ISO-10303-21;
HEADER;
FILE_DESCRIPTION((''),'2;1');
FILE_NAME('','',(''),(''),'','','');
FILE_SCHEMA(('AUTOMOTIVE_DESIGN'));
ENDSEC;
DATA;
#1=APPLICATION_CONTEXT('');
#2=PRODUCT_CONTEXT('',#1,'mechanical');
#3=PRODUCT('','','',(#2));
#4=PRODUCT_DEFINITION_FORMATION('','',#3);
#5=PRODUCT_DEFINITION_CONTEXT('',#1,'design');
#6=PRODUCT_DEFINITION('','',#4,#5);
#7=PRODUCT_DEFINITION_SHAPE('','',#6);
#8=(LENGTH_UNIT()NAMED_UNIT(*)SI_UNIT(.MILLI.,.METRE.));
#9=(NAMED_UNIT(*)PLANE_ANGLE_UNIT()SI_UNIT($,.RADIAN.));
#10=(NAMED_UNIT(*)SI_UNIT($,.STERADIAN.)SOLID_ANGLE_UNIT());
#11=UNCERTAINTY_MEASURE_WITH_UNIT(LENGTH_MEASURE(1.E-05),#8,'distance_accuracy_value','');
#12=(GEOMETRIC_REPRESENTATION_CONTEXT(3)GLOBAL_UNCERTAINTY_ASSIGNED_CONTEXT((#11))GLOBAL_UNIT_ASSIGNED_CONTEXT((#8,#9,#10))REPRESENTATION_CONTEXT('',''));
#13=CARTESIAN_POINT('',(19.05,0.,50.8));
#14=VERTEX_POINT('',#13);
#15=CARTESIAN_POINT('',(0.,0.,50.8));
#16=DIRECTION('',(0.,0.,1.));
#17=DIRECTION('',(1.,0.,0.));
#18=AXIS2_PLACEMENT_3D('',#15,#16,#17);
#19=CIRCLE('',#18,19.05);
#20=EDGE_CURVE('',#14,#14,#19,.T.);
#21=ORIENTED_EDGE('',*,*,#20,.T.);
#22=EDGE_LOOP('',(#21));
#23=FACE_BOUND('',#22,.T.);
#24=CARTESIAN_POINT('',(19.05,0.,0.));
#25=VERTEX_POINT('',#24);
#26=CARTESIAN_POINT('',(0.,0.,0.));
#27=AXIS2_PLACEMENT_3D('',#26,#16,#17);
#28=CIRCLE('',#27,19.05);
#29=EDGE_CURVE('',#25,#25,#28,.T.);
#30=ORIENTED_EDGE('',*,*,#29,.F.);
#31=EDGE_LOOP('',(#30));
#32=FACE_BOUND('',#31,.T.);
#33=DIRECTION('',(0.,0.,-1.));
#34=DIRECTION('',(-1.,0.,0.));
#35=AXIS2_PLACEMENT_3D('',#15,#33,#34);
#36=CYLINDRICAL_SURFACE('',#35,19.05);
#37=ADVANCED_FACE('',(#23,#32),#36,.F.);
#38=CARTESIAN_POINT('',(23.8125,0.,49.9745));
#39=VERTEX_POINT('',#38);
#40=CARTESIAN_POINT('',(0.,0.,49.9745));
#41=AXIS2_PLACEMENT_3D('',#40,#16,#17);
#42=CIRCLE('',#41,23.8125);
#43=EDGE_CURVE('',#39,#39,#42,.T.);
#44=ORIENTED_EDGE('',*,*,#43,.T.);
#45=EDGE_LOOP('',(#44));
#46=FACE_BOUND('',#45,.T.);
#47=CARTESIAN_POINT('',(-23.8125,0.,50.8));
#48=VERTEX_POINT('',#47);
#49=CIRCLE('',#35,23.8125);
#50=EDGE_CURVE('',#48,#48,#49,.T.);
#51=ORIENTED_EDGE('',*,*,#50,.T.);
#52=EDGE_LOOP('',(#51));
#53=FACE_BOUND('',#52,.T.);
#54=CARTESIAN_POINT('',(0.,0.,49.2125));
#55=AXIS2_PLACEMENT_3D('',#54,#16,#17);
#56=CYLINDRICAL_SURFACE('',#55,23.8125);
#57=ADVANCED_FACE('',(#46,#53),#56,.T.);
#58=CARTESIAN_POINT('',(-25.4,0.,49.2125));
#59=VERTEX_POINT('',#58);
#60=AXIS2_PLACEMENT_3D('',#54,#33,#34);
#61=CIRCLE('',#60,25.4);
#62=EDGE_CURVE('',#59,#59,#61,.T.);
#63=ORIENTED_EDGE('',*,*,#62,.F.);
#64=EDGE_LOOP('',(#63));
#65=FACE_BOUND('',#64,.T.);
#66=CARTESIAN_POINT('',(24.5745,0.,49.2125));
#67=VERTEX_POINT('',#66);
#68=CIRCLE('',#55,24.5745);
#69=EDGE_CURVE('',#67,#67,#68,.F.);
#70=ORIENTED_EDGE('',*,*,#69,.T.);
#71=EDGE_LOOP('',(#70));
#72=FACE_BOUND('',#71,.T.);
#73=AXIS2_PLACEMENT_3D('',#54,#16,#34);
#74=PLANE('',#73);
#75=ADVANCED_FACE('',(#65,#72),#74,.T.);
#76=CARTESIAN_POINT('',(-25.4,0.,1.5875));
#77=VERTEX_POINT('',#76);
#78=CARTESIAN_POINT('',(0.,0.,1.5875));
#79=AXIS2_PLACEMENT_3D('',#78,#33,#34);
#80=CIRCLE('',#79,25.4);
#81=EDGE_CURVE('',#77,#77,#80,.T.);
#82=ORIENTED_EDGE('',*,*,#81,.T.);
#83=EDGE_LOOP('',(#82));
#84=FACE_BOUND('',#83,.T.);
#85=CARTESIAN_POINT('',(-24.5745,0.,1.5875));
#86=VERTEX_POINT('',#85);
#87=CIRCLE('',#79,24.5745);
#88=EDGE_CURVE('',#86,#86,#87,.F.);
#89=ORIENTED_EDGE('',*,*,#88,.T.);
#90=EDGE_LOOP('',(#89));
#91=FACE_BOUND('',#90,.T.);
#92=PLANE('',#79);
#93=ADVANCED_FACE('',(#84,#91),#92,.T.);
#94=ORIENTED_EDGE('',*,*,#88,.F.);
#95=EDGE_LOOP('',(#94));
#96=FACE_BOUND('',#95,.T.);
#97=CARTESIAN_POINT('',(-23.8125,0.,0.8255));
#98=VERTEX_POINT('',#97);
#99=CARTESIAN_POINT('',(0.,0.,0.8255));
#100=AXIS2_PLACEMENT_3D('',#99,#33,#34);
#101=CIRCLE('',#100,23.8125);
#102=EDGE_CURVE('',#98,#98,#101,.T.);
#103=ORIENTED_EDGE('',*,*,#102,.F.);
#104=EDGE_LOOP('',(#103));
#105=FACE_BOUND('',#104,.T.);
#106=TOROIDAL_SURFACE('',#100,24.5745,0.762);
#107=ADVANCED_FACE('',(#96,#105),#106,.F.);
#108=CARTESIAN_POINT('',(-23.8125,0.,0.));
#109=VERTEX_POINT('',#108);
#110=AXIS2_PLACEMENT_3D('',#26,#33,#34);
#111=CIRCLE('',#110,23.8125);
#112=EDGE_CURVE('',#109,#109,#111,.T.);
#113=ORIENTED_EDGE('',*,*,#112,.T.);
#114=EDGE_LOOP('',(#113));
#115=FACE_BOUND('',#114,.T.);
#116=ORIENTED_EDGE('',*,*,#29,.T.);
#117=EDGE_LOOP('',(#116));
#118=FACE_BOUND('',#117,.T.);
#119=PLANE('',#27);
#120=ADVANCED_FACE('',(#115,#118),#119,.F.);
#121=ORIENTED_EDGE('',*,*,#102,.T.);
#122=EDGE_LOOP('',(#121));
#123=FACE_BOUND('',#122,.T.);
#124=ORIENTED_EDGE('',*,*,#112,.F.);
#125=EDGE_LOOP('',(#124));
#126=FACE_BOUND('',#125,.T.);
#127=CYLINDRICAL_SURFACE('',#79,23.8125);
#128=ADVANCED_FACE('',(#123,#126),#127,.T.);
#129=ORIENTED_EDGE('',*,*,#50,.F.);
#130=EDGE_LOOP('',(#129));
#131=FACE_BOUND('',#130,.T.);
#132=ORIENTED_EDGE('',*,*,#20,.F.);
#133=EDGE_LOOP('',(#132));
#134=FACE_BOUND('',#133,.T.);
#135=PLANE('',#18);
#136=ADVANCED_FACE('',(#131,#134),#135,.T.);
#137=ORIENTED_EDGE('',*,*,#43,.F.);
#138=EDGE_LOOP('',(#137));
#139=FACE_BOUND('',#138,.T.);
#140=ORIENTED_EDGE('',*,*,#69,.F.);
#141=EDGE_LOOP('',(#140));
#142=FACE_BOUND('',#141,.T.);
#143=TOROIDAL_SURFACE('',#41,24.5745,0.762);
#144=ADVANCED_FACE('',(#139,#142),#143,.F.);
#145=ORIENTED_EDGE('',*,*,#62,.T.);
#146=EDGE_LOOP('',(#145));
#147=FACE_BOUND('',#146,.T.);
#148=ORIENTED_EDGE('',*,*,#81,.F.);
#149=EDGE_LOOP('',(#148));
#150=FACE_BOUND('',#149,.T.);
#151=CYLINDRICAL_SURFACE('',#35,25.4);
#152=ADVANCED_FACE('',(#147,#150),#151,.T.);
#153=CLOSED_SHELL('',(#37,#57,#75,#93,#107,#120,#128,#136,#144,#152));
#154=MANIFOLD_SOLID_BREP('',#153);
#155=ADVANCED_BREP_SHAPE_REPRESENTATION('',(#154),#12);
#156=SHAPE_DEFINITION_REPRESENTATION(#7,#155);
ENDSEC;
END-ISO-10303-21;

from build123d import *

# Parameters (mm, degrees)
SKETCH1_R           = 25.4
SKETCH1_R_2         = 19.05
BOSS_EXTRUDE1_DEPTH = 50.8
SKETCH4_R           = 25.4
SKETCH4_R_2         = 23.8125
CUT_EXTRUDE1_DEPTH  = 1.5875
FILLET1_R           = 0.762


with BuildPart() as part:
    # Sketch1 → Boss-Extrude1 (new body)
    with BuildSketch(Plane.XY):
        Circle(SKETCH1_R)
        Circle(SKETCH1_R_2, mode=Mode.SUBTRACT)
    extrude(amount=BOSS_EXTRUDE1_DEPTH)

    # Sketch4 → Cut-Extrude1 (cut)
    with BuildSketch(Plane(origin=(0, 0, 0), x_dir=(-1, 0, 0), z_dir=(0, 0, -1))):
        Circle(SKETCH4_R)
        Circle(SKETCH4_R_2, mode=Mode.SUBTRACT)
    cut_extrude1 = extrude(amount=-CUT_EXTRUDE1_DEPTH, mode=Mode.SUBTRACT)

    # Mirror1: Cut-Extrude1 across plane
    add(cut_extrude1.mirror(Plane.XY.offset(25.4)), mode=Mode.SUBTRACT)

    # Fillet1
    fillet1_edges = [part.edges().sort_by_distance(p)[0] for p in [
        (23.8125, 0, 1.5875),
        (23.8125, 0, 49.2125),
    ]]
    fillet(fillet1_edges, radius=FILLET1_R)


solid = part.part
